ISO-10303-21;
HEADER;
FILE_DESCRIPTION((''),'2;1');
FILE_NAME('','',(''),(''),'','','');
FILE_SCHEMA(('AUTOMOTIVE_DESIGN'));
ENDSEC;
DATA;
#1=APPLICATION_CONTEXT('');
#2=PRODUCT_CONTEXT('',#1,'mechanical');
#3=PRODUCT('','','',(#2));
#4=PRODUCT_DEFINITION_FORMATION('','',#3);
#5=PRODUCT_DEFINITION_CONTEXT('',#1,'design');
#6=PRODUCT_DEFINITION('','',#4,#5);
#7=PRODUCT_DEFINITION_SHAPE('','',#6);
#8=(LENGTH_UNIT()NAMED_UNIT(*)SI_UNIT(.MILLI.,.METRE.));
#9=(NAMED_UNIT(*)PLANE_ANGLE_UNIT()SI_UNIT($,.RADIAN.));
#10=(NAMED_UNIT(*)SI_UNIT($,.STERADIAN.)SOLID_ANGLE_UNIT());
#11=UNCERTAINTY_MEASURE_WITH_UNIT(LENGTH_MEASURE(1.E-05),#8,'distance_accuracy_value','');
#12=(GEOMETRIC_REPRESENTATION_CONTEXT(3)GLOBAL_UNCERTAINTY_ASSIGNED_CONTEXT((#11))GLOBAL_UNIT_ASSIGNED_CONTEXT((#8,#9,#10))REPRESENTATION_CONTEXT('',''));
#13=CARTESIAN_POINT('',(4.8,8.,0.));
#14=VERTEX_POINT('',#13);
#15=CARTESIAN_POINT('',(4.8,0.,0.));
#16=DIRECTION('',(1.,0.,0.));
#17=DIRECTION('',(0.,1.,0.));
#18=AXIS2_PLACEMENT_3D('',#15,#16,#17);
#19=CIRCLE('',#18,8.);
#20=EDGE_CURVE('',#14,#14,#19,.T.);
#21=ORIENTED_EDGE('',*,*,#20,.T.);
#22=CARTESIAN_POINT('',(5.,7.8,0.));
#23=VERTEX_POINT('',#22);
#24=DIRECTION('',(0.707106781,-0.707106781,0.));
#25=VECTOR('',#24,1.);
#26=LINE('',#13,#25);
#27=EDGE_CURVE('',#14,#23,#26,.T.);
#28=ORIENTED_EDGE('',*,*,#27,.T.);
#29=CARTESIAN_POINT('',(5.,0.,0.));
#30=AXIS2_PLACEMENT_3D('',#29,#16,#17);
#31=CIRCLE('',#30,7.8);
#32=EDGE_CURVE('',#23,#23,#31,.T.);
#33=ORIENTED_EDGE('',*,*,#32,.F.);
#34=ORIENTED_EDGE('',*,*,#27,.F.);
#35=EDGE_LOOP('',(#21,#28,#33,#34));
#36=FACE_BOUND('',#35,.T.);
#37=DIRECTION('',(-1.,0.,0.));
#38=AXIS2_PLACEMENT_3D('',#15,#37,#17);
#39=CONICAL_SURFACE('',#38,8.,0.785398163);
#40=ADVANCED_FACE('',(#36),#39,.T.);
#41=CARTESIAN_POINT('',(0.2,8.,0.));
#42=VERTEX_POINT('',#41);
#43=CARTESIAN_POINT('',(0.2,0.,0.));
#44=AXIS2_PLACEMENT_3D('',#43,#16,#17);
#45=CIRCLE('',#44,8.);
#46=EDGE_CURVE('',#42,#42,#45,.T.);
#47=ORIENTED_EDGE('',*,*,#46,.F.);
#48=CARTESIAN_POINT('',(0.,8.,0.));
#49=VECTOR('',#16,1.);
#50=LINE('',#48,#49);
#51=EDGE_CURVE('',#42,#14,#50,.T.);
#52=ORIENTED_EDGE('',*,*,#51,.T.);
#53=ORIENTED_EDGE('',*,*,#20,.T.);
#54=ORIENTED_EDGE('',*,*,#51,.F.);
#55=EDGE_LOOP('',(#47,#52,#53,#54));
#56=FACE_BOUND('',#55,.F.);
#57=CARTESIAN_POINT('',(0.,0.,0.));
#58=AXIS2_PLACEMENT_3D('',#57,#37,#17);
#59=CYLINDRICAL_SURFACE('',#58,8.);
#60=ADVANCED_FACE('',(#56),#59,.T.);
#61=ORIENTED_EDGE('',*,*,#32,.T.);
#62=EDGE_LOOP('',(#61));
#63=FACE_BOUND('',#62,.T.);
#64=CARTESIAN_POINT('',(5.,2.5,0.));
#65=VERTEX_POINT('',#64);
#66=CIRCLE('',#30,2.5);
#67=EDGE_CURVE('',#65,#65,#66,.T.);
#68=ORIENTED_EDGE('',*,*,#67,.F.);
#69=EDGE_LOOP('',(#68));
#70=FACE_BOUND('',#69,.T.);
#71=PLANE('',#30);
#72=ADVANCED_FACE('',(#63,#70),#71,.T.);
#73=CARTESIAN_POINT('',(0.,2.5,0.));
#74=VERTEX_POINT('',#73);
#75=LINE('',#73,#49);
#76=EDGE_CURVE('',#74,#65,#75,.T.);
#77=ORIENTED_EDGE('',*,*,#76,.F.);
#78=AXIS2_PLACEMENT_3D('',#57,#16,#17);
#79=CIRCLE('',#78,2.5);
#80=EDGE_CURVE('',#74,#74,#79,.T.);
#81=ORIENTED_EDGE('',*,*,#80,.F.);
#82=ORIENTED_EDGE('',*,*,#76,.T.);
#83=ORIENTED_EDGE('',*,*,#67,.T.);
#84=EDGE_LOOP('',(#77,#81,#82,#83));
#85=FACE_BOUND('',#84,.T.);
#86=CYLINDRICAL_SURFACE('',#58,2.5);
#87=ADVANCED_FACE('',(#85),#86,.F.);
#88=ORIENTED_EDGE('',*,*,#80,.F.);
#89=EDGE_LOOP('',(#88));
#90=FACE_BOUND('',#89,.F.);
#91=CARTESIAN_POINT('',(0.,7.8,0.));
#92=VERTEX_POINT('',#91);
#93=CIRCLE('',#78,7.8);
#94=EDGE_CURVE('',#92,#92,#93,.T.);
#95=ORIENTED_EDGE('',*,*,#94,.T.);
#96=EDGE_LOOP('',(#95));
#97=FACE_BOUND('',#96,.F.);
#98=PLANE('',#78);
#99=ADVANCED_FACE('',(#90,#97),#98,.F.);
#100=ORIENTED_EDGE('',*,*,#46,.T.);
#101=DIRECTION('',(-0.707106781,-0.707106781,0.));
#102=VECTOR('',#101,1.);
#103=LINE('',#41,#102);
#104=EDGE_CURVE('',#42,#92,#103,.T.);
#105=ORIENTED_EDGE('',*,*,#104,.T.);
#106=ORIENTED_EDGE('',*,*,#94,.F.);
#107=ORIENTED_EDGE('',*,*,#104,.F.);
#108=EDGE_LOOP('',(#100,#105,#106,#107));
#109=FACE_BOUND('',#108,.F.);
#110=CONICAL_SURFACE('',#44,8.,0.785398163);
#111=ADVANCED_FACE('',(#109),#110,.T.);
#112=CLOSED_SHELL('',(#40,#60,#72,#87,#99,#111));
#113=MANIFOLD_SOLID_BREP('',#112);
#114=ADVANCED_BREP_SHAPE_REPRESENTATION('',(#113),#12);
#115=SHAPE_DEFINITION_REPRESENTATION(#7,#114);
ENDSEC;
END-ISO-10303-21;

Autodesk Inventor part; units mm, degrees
ref_plane "YZ Plane" through (0, 0, 0) normal (1, 0, 0) x (0, 1, 0)
ref_plane "XZ Plane" through (0, 0, 0) normal (0, 1, 0) x (-1, 0, 0)
ref_plane "XY Plane" through (0, 0, 0) normal (0, 0, 1) x (1, 0, 0)
sketch "Sketch1" plane through (0, 0, 0) normal (1, 0, 0) x (0, 1, 0)
  circle A0 centre (0, 0) radius 8
  circle A1 centre (0, 0) radius 2.5
  dimension "d0" = 16
  dimension "d1" = 5
extrude "Extrusion1" add sketch "Sketch1" along normal blind 5
chamfer "Chamfer1" distance 0.2 angle 45 2 edges at (5, -8, 0) (0, -8, 0)
properties part number "625zz bearing"
